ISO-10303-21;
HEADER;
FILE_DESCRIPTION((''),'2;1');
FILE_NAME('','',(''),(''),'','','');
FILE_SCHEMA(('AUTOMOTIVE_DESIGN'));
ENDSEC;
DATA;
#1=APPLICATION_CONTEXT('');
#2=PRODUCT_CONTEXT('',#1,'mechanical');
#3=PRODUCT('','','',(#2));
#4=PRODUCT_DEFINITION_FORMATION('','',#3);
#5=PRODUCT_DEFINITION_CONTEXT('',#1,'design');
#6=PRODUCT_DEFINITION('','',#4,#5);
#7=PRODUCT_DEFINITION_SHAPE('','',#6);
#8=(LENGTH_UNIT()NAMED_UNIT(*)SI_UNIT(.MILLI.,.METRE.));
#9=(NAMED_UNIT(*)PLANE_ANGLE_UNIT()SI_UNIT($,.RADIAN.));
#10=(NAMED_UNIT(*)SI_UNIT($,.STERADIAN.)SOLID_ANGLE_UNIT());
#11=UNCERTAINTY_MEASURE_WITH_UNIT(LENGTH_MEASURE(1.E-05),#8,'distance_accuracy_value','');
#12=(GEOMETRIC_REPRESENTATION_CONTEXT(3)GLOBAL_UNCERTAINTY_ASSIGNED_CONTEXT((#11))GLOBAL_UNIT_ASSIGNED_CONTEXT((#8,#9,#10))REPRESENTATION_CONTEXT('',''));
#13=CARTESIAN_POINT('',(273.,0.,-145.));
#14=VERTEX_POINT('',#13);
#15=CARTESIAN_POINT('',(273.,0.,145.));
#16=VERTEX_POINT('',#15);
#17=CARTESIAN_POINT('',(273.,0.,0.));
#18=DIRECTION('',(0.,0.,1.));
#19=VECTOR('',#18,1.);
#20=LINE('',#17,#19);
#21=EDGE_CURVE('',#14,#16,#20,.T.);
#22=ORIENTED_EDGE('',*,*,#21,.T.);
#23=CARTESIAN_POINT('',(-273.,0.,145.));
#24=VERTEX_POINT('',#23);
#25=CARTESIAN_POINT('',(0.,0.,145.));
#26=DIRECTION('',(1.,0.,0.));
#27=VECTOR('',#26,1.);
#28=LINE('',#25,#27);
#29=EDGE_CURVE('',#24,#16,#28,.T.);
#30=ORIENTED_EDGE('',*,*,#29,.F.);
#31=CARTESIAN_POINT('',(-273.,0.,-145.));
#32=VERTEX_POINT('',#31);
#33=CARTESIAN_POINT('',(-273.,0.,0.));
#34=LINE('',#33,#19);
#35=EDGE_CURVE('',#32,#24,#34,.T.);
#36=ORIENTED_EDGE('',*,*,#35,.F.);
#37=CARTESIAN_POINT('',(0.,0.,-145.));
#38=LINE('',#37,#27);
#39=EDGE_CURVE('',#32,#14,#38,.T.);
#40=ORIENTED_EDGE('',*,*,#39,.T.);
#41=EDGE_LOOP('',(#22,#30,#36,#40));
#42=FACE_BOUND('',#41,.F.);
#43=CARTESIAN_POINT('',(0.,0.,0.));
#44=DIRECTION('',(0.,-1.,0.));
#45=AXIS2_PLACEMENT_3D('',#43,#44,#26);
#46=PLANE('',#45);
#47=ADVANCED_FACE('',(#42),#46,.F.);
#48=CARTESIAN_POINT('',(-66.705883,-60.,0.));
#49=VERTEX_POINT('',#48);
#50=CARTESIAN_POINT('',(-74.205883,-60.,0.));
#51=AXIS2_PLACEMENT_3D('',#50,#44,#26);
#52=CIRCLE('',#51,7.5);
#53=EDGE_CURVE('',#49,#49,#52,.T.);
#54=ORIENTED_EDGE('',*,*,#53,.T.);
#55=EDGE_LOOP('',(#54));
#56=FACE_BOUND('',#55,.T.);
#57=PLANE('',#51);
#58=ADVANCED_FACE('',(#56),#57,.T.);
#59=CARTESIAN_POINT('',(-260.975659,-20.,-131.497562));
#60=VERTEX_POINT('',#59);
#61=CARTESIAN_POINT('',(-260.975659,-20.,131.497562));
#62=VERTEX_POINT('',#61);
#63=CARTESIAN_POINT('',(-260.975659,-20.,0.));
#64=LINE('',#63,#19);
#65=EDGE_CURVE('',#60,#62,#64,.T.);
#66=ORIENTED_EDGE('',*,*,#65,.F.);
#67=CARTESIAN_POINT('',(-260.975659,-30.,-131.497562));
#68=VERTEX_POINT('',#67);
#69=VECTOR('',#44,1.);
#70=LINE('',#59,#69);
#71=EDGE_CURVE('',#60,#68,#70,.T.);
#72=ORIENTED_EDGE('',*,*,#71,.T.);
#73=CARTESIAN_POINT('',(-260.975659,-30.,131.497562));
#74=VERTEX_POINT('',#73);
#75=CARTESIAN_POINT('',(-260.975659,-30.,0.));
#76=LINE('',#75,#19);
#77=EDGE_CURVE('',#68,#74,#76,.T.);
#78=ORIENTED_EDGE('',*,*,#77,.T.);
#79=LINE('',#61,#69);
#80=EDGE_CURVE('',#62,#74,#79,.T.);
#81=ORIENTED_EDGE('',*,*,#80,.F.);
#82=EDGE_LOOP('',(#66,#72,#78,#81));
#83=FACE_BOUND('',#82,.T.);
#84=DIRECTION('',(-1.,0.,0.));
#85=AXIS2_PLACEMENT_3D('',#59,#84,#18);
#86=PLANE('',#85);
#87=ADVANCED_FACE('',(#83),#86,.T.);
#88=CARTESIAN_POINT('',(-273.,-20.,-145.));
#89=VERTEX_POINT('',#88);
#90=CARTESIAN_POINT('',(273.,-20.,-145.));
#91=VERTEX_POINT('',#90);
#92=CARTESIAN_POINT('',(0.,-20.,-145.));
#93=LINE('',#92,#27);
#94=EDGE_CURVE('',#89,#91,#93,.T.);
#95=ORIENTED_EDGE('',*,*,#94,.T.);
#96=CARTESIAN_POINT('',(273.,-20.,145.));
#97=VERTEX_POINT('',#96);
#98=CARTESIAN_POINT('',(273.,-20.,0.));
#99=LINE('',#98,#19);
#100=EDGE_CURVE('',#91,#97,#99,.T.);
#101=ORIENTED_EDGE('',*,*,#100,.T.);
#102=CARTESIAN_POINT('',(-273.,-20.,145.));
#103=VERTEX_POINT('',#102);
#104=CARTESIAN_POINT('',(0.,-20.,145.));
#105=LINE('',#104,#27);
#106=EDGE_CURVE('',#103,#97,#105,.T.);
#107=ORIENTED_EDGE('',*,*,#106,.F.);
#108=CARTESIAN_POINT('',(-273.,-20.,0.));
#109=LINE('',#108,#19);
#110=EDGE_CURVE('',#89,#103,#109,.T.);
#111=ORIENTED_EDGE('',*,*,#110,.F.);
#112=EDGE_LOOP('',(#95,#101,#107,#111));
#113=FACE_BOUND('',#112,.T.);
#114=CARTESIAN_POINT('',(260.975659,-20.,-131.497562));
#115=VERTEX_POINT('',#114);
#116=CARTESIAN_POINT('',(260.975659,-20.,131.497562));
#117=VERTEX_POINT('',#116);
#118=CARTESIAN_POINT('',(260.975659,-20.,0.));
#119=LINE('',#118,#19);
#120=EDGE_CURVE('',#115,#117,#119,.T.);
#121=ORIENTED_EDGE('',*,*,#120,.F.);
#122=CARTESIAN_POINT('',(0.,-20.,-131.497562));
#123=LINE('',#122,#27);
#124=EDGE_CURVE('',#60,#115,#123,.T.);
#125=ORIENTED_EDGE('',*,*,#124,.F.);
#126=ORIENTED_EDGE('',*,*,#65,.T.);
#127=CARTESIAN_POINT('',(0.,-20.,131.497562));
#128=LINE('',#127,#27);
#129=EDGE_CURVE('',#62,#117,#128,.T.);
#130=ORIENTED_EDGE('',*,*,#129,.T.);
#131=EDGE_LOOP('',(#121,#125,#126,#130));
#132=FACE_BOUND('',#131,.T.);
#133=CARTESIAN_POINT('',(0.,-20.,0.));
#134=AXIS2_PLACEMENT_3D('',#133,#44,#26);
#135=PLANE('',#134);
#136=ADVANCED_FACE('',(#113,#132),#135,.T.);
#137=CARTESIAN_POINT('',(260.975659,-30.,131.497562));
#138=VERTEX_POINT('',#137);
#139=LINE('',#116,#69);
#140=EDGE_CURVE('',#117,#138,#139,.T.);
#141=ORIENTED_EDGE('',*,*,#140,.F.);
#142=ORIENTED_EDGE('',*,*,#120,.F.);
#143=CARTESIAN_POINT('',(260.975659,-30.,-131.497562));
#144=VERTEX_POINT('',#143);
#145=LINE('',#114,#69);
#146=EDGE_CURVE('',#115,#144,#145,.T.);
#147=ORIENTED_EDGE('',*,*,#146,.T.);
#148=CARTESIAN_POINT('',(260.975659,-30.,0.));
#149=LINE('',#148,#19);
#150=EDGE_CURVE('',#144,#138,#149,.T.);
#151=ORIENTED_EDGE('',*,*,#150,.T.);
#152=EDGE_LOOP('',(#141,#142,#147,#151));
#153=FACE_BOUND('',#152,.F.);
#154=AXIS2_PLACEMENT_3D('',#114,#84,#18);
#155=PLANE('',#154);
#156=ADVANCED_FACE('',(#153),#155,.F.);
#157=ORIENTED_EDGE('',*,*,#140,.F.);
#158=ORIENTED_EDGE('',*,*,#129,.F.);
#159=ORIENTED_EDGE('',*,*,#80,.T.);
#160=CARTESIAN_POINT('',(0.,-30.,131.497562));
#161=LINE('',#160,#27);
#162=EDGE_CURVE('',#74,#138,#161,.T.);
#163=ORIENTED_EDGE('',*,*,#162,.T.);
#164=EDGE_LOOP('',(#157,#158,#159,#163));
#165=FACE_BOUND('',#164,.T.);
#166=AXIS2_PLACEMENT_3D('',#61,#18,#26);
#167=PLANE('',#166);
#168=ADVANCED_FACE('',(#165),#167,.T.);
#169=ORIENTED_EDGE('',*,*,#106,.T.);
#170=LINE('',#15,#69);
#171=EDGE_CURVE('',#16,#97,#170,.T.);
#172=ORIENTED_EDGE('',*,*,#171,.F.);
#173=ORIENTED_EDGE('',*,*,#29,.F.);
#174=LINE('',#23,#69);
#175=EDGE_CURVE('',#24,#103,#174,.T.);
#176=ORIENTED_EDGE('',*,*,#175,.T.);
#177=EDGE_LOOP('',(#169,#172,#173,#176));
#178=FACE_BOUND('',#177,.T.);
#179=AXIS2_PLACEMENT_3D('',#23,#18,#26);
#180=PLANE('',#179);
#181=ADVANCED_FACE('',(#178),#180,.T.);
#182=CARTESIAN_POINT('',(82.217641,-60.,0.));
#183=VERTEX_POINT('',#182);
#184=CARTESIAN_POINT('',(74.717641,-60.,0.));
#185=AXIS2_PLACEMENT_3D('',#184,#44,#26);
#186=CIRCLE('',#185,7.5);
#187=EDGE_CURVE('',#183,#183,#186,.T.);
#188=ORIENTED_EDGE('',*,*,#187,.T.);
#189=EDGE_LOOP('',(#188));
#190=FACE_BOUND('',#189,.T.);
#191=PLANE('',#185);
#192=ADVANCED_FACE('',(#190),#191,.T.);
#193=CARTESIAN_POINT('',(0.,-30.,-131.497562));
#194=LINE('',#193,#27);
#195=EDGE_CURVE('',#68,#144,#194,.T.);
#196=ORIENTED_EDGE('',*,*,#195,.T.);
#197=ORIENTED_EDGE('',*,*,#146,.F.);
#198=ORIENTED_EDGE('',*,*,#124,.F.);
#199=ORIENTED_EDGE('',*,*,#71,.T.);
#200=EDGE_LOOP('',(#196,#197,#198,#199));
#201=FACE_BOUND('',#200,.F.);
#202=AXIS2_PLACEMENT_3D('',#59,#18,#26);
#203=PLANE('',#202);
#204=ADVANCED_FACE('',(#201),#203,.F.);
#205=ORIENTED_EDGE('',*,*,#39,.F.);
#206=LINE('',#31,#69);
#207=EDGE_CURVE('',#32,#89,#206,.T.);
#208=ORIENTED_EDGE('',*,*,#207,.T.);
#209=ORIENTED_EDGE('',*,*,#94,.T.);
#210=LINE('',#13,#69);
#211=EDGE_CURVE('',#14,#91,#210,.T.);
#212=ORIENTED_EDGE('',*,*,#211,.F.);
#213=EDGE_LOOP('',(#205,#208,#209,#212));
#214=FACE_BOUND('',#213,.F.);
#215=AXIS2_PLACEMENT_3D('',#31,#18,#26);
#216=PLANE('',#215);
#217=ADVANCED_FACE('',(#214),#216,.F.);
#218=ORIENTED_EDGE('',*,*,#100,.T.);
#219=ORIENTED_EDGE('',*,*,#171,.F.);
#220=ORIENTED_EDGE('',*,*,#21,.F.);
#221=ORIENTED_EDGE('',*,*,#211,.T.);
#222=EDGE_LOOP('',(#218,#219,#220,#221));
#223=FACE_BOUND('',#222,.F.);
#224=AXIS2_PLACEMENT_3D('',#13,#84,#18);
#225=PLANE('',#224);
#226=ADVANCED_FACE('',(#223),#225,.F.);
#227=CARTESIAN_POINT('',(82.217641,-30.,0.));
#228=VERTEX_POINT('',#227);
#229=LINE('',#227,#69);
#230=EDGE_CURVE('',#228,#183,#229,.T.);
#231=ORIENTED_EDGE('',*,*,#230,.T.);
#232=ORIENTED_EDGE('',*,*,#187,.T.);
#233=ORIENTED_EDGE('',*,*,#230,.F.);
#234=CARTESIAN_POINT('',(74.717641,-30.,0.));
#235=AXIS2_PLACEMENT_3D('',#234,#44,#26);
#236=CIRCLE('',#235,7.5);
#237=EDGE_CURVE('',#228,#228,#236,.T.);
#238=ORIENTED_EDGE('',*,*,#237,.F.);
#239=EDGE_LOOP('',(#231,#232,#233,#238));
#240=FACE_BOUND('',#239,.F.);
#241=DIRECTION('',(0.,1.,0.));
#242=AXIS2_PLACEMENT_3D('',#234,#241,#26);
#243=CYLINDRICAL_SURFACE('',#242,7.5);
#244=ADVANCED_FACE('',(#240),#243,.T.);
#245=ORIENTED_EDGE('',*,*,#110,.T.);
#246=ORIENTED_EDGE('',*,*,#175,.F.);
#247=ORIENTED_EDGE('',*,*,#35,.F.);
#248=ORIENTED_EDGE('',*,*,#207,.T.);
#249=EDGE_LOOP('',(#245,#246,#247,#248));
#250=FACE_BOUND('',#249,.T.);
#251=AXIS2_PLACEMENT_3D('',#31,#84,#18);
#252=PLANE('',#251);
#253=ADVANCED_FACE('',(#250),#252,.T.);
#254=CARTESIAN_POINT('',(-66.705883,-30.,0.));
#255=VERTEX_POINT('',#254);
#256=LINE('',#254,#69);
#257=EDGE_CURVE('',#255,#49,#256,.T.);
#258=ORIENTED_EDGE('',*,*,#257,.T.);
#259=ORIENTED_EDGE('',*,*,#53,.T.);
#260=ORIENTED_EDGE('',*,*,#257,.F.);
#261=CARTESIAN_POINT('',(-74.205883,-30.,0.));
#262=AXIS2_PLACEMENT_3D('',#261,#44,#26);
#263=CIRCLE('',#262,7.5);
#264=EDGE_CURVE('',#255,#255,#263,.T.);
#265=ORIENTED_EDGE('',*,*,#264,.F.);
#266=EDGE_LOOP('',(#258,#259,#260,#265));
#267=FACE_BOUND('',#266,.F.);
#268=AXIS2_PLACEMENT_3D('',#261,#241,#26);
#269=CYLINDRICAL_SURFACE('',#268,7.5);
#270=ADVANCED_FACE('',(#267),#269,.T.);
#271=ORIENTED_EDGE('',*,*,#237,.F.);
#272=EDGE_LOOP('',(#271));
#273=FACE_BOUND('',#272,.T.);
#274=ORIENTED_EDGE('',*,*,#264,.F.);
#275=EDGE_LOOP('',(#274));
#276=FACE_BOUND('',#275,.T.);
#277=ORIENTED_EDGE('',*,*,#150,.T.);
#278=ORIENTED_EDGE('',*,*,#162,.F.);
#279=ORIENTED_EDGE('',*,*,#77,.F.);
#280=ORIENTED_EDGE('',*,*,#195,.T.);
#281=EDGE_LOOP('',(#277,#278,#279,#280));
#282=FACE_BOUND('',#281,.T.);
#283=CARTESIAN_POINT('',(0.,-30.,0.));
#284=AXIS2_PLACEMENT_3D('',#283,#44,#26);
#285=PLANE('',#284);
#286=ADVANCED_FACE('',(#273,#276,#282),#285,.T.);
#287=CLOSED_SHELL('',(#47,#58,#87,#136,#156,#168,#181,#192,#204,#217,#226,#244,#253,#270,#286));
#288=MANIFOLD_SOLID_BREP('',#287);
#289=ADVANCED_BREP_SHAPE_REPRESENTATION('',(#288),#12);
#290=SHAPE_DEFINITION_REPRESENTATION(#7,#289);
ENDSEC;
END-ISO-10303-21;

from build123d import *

# Parameters (mm, degrees)
F0_W     = 546
F0_H     = 290
F1_DEPTH = 20
F2_W     = 521.951318
F2_H     = 262.995124
F3_DEPTH = 10
F4_R     = 7.5
F5_DEPTH = 30


with BuildPart() as f1:
    # F0 (on Front) → F1 (new body)
    with BuildSketch(Plane.XZ):
        Rectangle(F0_W, F0_H)
    extrude(amount=F1_DEPTH)

    # F2 (on face) → F3 (join)
    with BuildSketch(Plane.XZ.offset(20)):
        Rectangle(F2_W, F2_H)
    extrude(amount=F3_DEPTH)

    # F4 (on face) → F5 (join)
    with BuildSketch(Plane.XZ.offset(30)):
        with Locations((-74.205883, 0)):
            Circle(F4_R)
        with Locations((74.717641, 0)):
            Circle(F4_R)
    extrude(amount=F5_DEPTH)


solid = f1.part
